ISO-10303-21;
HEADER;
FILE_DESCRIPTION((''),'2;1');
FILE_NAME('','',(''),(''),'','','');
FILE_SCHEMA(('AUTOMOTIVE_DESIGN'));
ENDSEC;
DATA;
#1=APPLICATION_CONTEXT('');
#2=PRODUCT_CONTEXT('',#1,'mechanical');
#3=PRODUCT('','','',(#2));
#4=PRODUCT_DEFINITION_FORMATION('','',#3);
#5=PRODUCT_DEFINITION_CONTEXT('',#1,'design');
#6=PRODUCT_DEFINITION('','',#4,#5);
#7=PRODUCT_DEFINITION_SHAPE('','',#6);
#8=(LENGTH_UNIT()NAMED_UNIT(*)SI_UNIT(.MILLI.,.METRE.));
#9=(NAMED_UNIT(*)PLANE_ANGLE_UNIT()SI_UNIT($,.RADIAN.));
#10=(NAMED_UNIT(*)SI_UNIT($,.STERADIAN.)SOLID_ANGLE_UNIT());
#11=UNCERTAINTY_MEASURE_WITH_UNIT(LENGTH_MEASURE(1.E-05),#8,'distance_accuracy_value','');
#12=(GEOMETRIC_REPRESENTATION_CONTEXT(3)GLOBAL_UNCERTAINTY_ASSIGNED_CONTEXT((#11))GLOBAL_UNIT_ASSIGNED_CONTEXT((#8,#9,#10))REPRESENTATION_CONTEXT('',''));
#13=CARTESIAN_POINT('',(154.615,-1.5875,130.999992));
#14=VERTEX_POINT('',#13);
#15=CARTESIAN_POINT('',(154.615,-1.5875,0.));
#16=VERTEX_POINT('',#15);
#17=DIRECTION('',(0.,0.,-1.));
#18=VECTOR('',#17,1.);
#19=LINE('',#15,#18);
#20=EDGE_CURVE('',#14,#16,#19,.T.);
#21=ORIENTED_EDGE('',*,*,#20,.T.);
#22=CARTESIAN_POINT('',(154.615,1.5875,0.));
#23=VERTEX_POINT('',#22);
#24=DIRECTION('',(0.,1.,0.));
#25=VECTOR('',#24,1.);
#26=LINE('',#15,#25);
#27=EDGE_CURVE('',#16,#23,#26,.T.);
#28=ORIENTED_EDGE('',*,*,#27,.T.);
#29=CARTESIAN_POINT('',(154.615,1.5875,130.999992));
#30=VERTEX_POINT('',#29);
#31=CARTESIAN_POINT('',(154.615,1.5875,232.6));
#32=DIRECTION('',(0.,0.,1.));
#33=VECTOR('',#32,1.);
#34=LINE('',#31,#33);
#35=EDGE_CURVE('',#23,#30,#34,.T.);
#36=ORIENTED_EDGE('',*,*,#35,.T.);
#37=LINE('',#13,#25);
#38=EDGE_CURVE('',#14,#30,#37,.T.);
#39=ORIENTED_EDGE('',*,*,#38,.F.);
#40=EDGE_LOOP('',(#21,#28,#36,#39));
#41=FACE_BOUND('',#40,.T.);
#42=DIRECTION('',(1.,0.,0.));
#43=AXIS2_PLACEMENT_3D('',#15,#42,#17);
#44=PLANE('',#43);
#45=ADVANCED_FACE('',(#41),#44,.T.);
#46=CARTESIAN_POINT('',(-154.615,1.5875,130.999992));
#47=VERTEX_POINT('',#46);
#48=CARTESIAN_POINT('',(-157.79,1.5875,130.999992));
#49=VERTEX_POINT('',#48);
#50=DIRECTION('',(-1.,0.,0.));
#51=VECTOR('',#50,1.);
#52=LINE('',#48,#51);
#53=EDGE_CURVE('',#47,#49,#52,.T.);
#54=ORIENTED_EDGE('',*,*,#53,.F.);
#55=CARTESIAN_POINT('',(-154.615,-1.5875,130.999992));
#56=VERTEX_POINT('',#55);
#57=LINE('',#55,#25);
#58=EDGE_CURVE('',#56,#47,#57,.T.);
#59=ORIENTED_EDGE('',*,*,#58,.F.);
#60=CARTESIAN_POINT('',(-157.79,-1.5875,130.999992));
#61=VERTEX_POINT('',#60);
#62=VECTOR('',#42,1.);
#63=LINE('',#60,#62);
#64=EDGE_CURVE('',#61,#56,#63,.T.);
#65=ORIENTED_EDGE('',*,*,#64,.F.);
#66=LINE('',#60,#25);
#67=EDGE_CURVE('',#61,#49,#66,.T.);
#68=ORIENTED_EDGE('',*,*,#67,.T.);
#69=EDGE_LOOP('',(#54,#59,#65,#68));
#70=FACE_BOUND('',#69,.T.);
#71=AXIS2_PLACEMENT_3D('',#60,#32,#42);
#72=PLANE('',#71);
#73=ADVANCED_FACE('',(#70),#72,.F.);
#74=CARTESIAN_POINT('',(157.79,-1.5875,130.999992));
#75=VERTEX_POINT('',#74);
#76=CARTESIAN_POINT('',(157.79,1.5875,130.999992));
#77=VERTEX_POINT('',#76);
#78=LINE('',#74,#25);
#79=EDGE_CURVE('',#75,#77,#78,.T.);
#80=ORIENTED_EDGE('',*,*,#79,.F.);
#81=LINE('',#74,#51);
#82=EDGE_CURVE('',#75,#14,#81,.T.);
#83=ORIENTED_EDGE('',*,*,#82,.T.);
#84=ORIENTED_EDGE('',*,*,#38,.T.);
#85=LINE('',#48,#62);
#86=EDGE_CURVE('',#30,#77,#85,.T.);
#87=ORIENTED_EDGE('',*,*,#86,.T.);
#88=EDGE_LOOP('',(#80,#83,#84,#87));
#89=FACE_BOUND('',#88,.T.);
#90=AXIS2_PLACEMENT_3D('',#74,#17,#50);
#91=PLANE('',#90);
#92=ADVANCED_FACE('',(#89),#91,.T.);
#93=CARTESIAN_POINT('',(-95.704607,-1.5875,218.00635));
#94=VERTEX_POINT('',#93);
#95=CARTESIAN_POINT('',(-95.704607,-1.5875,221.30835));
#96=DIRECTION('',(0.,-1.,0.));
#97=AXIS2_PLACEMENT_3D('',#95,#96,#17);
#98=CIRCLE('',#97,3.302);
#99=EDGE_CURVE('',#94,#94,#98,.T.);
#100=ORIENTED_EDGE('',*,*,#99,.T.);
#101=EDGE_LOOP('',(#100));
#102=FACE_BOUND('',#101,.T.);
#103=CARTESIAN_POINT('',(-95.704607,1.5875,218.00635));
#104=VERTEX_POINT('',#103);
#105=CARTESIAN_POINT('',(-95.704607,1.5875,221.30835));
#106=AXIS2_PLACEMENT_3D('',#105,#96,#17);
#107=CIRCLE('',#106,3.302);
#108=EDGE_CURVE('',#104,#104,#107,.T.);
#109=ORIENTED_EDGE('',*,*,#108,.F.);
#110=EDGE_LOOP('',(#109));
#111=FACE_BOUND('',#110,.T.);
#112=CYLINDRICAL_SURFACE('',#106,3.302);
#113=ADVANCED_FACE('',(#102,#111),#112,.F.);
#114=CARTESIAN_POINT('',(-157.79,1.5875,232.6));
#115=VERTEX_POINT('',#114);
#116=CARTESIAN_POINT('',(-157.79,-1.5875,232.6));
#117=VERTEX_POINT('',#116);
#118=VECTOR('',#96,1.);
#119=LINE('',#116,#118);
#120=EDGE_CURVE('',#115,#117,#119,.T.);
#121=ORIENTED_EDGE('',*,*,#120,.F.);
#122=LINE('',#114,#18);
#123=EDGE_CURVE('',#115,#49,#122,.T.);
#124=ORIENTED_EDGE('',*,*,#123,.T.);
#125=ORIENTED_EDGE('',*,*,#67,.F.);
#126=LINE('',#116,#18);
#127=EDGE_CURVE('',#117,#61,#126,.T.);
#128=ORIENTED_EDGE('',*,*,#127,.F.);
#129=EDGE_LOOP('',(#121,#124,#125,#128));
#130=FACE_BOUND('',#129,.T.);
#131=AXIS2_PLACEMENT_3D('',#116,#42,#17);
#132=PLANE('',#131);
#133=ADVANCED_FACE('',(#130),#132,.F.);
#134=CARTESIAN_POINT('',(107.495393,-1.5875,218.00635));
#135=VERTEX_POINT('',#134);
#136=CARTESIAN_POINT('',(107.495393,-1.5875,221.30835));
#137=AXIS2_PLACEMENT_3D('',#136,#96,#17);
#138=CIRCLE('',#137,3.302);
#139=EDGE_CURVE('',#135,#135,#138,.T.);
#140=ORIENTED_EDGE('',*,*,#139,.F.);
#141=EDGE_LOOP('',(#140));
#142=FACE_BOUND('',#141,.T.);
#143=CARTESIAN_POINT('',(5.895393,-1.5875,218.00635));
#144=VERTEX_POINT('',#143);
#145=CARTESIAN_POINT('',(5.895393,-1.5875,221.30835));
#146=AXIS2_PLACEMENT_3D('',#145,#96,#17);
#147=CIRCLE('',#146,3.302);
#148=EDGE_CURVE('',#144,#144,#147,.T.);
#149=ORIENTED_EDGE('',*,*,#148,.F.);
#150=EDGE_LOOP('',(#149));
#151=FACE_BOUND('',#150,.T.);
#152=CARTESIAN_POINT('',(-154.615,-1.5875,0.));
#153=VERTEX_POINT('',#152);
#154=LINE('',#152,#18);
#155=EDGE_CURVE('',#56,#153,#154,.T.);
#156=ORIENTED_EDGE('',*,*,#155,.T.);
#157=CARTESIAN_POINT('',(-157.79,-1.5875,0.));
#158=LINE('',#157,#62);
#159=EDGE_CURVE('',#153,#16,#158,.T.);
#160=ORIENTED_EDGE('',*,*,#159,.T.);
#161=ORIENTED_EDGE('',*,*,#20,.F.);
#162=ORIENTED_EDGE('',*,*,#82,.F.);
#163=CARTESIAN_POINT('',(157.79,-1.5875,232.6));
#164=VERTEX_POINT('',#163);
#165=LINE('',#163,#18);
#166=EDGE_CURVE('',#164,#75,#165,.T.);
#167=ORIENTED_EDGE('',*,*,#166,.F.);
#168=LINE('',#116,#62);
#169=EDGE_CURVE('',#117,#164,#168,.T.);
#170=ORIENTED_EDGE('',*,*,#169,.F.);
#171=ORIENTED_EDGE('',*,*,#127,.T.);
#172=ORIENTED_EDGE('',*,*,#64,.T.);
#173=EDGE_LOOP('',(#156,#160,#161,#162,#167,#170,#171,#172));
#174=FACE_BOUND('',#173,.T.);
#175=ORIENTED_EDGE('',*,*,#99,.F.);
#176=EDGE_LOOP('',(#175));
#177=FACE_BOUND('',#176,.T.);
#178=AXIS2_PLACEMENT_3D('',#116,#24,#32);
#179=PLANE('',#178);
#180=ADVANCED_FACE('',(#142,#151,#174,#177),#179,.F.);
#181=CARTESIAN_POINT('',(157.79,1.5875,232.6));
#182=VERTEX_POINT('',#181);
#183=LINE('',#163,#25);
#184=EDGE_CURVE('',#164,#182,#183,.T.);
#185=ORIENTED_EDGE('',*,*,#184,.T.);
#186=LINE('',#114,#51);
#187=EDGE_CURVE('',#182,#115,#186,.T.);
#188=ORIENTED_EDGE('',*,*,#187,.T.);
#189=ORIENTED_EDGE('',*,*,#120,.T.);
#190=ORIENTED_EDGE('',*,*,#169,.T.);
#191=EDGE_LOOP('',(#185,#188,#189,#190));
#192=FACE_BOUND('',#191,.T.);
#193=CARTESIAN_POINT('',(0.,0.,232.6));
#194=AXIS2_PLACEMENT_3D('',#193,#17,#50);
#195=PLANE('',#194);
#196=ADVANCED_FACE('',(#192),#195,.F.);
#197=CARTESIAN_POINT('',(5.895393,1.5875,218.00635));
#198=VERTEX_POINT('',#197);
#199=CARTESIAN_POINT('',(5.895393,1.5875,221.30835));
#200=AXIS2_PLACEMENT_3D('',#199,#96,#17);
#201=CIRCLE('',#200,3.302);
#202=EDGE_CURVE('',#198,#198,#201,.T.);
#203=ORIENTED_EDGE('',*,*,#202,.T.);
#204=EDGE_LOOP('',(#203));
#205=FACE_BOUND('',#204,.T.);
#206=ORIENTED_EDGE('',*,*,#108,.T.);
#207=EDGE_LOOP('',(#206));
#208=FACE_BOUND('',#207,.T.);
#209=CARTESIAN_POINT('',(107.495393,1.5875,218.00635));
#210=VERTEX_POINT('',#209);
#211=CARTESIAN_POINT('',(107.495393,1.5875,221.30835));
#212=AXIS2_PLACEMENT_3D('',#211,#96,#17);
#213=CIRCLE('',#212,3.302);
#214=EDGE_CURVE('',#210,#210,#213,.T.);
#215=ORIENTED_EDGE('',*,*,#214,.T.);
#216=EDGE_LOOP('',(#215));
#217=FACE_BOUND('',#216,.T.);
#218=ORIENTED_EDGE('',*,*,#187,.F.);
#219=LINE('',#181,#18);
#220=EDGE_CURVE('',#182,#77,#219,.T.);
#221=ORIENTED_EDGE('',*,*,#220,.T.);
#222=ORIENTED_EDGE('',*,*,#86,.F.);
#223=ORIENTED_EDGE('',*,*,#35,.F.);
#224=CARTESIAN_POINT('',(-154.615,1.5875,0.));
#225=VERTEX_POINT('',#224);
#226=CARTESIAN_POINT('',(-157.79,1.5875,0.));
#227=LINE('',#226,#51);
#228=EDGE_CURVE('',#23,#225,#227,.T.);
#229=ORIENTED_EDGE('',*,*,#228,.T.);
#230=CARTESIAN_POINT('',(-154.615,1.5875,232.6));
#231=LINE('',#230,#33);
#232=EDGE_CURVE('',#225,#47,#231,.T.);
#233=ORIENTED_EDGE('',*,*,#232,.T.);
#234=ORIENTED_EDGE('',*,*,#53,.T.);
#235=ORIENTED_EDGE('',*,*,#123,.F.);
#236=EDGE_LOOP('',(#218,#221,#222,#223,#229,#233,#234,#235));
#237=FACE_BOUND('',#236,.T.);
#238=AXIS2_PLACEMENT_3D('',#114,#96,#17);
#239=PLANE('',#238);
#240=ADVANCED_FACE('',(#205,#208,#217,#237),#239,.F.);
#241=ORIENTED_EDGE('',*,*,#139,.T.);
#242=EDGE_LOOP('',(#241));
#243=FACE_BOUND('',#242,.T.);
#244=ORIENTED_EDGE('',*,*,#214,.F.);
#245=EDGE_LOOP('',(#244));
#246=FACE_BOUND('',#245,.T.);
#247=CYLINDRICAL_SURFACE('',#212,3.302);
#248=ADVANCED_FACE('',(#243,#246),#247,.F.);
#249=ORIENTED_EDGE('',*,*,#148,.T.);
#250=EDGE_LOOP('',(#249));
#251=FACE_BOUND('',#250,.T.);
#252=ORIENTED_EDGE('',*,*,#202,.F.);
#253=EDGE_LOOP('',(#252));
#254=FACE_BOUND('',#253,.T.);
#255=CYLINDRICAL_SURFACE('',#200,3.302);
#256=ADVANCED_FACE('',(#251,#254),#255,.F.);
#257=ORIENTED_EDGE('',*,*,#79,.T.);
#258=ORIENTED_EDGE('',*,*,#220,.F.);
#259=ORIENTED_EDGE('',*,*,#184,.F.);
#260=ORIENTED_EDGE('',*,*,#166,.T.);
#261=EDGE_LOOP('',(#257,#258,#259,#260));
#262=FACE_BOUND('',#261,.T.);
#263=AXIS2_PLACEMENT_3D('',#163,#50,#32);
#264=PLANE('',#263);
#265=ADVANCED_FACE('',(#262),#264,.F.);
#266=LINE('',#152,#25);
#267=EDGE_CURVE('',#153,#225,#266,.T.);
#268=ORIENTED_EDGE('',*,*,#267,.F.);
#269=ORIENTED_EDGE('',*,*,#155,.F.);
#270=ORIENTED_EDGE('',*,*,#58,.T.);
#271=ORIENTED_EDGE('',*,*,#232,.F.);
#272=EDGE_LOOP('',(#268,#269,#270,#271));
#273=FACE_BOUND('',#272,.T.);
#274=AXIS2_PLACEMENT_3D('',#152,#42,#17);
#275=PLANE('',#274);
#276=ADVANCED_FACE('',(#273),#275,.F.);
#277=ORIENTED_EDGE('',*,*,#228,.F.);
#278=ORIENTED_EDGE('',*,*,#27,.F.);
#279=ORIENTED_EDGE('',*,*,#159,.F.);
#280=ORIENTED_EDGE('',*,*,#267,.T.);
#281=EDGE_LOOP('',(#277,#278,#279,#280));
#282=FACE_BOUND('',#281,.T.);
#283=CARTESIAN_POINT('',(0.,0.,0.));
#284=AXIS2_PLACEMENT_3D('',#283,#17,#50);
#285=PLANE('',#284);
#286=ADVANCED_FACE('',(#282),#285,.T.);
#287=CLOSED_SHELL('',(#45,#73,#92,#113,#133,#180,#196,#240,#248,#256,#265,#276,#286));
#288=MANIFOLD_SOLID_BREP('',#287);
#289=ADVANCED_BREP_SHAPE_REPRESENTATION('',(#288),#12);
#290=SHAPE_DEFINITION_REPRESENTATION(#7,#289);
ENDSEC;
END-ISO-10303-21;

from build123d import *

# Parameters (mm, degrees)
SKETCH1_W           = 315.58
SKETCH1_H           = 3.175
BOSS_EXTRUDE1_DEPTH = 232.600000128
SKETCH5_W           = 3.175
SKETCH5_H           = 130.999992
CUT_EXTRUDE2_DEPTH  = 282.088108579
SKETCH7_R           = 3.302
CUT_EXTRUDE3_DEPTH  = 282.088108579
LPATTERN1_COUNT     = 3
LPATTERN1_PITCH     = 101.6


with BuildPart() as part:
    # Sketch1 → Boss-Extrude1 (new body)
    with BuildSketch(Plane.XY):
        Rectangle(SKETCH1_W, SKETCH1_H)
    extrude(amount=BOSS_EXTRUDE1_DEPTH)

    # Sketch5 → Cut-Extrude2 (cut, symmetric)
    with BuildSketch(Plane(origin=(0, 1.5875, 0), x_dir=(1, 0, 0), z_dir=(0, 1, 0))):
        with Locations((-156.2025, -65.499996)):
            Rectangle(SKETCH5_W, SKETCH5_H)
    cut_extrude2 = extrude(amount=CUT_EXTRUDE2_DEPTH, both=True, mode=Mode.SUBTRACT)

    # Mirror1: Cut-Extrude2 across plane
    add(cut_extrude2.mirror(Plane(origin=(0, 0, 0), x_dir=(0, 0, 1), z_dir=(1, 0, 0))), mode=Mode.SUBTRACT)

    # Sketch7 → Cut-Extrude3 (cut, through all)
    with BuildSketch(Plane.XZ.offset(1.5875)):
        with Locations(Location((107.495393219, 221.30835, 0), (0, 0, 270))):
            Circle(SKETCH7_R)
    cut_extrude3 = extrude(amount=-CUT_EXTRUDE3_DEPTH, mode=Mode.SUBTRACT)

    # LPattern1: Cut-Extrude3 ×3
    with Locations(*[(-i * LPATTERN1_PITCH, 0, 0) for i in range(1, LPATTERN1_COUNT)]):
        add(cut_extrude3, mode=Mode.SUBTRACT)


solid = part.part
